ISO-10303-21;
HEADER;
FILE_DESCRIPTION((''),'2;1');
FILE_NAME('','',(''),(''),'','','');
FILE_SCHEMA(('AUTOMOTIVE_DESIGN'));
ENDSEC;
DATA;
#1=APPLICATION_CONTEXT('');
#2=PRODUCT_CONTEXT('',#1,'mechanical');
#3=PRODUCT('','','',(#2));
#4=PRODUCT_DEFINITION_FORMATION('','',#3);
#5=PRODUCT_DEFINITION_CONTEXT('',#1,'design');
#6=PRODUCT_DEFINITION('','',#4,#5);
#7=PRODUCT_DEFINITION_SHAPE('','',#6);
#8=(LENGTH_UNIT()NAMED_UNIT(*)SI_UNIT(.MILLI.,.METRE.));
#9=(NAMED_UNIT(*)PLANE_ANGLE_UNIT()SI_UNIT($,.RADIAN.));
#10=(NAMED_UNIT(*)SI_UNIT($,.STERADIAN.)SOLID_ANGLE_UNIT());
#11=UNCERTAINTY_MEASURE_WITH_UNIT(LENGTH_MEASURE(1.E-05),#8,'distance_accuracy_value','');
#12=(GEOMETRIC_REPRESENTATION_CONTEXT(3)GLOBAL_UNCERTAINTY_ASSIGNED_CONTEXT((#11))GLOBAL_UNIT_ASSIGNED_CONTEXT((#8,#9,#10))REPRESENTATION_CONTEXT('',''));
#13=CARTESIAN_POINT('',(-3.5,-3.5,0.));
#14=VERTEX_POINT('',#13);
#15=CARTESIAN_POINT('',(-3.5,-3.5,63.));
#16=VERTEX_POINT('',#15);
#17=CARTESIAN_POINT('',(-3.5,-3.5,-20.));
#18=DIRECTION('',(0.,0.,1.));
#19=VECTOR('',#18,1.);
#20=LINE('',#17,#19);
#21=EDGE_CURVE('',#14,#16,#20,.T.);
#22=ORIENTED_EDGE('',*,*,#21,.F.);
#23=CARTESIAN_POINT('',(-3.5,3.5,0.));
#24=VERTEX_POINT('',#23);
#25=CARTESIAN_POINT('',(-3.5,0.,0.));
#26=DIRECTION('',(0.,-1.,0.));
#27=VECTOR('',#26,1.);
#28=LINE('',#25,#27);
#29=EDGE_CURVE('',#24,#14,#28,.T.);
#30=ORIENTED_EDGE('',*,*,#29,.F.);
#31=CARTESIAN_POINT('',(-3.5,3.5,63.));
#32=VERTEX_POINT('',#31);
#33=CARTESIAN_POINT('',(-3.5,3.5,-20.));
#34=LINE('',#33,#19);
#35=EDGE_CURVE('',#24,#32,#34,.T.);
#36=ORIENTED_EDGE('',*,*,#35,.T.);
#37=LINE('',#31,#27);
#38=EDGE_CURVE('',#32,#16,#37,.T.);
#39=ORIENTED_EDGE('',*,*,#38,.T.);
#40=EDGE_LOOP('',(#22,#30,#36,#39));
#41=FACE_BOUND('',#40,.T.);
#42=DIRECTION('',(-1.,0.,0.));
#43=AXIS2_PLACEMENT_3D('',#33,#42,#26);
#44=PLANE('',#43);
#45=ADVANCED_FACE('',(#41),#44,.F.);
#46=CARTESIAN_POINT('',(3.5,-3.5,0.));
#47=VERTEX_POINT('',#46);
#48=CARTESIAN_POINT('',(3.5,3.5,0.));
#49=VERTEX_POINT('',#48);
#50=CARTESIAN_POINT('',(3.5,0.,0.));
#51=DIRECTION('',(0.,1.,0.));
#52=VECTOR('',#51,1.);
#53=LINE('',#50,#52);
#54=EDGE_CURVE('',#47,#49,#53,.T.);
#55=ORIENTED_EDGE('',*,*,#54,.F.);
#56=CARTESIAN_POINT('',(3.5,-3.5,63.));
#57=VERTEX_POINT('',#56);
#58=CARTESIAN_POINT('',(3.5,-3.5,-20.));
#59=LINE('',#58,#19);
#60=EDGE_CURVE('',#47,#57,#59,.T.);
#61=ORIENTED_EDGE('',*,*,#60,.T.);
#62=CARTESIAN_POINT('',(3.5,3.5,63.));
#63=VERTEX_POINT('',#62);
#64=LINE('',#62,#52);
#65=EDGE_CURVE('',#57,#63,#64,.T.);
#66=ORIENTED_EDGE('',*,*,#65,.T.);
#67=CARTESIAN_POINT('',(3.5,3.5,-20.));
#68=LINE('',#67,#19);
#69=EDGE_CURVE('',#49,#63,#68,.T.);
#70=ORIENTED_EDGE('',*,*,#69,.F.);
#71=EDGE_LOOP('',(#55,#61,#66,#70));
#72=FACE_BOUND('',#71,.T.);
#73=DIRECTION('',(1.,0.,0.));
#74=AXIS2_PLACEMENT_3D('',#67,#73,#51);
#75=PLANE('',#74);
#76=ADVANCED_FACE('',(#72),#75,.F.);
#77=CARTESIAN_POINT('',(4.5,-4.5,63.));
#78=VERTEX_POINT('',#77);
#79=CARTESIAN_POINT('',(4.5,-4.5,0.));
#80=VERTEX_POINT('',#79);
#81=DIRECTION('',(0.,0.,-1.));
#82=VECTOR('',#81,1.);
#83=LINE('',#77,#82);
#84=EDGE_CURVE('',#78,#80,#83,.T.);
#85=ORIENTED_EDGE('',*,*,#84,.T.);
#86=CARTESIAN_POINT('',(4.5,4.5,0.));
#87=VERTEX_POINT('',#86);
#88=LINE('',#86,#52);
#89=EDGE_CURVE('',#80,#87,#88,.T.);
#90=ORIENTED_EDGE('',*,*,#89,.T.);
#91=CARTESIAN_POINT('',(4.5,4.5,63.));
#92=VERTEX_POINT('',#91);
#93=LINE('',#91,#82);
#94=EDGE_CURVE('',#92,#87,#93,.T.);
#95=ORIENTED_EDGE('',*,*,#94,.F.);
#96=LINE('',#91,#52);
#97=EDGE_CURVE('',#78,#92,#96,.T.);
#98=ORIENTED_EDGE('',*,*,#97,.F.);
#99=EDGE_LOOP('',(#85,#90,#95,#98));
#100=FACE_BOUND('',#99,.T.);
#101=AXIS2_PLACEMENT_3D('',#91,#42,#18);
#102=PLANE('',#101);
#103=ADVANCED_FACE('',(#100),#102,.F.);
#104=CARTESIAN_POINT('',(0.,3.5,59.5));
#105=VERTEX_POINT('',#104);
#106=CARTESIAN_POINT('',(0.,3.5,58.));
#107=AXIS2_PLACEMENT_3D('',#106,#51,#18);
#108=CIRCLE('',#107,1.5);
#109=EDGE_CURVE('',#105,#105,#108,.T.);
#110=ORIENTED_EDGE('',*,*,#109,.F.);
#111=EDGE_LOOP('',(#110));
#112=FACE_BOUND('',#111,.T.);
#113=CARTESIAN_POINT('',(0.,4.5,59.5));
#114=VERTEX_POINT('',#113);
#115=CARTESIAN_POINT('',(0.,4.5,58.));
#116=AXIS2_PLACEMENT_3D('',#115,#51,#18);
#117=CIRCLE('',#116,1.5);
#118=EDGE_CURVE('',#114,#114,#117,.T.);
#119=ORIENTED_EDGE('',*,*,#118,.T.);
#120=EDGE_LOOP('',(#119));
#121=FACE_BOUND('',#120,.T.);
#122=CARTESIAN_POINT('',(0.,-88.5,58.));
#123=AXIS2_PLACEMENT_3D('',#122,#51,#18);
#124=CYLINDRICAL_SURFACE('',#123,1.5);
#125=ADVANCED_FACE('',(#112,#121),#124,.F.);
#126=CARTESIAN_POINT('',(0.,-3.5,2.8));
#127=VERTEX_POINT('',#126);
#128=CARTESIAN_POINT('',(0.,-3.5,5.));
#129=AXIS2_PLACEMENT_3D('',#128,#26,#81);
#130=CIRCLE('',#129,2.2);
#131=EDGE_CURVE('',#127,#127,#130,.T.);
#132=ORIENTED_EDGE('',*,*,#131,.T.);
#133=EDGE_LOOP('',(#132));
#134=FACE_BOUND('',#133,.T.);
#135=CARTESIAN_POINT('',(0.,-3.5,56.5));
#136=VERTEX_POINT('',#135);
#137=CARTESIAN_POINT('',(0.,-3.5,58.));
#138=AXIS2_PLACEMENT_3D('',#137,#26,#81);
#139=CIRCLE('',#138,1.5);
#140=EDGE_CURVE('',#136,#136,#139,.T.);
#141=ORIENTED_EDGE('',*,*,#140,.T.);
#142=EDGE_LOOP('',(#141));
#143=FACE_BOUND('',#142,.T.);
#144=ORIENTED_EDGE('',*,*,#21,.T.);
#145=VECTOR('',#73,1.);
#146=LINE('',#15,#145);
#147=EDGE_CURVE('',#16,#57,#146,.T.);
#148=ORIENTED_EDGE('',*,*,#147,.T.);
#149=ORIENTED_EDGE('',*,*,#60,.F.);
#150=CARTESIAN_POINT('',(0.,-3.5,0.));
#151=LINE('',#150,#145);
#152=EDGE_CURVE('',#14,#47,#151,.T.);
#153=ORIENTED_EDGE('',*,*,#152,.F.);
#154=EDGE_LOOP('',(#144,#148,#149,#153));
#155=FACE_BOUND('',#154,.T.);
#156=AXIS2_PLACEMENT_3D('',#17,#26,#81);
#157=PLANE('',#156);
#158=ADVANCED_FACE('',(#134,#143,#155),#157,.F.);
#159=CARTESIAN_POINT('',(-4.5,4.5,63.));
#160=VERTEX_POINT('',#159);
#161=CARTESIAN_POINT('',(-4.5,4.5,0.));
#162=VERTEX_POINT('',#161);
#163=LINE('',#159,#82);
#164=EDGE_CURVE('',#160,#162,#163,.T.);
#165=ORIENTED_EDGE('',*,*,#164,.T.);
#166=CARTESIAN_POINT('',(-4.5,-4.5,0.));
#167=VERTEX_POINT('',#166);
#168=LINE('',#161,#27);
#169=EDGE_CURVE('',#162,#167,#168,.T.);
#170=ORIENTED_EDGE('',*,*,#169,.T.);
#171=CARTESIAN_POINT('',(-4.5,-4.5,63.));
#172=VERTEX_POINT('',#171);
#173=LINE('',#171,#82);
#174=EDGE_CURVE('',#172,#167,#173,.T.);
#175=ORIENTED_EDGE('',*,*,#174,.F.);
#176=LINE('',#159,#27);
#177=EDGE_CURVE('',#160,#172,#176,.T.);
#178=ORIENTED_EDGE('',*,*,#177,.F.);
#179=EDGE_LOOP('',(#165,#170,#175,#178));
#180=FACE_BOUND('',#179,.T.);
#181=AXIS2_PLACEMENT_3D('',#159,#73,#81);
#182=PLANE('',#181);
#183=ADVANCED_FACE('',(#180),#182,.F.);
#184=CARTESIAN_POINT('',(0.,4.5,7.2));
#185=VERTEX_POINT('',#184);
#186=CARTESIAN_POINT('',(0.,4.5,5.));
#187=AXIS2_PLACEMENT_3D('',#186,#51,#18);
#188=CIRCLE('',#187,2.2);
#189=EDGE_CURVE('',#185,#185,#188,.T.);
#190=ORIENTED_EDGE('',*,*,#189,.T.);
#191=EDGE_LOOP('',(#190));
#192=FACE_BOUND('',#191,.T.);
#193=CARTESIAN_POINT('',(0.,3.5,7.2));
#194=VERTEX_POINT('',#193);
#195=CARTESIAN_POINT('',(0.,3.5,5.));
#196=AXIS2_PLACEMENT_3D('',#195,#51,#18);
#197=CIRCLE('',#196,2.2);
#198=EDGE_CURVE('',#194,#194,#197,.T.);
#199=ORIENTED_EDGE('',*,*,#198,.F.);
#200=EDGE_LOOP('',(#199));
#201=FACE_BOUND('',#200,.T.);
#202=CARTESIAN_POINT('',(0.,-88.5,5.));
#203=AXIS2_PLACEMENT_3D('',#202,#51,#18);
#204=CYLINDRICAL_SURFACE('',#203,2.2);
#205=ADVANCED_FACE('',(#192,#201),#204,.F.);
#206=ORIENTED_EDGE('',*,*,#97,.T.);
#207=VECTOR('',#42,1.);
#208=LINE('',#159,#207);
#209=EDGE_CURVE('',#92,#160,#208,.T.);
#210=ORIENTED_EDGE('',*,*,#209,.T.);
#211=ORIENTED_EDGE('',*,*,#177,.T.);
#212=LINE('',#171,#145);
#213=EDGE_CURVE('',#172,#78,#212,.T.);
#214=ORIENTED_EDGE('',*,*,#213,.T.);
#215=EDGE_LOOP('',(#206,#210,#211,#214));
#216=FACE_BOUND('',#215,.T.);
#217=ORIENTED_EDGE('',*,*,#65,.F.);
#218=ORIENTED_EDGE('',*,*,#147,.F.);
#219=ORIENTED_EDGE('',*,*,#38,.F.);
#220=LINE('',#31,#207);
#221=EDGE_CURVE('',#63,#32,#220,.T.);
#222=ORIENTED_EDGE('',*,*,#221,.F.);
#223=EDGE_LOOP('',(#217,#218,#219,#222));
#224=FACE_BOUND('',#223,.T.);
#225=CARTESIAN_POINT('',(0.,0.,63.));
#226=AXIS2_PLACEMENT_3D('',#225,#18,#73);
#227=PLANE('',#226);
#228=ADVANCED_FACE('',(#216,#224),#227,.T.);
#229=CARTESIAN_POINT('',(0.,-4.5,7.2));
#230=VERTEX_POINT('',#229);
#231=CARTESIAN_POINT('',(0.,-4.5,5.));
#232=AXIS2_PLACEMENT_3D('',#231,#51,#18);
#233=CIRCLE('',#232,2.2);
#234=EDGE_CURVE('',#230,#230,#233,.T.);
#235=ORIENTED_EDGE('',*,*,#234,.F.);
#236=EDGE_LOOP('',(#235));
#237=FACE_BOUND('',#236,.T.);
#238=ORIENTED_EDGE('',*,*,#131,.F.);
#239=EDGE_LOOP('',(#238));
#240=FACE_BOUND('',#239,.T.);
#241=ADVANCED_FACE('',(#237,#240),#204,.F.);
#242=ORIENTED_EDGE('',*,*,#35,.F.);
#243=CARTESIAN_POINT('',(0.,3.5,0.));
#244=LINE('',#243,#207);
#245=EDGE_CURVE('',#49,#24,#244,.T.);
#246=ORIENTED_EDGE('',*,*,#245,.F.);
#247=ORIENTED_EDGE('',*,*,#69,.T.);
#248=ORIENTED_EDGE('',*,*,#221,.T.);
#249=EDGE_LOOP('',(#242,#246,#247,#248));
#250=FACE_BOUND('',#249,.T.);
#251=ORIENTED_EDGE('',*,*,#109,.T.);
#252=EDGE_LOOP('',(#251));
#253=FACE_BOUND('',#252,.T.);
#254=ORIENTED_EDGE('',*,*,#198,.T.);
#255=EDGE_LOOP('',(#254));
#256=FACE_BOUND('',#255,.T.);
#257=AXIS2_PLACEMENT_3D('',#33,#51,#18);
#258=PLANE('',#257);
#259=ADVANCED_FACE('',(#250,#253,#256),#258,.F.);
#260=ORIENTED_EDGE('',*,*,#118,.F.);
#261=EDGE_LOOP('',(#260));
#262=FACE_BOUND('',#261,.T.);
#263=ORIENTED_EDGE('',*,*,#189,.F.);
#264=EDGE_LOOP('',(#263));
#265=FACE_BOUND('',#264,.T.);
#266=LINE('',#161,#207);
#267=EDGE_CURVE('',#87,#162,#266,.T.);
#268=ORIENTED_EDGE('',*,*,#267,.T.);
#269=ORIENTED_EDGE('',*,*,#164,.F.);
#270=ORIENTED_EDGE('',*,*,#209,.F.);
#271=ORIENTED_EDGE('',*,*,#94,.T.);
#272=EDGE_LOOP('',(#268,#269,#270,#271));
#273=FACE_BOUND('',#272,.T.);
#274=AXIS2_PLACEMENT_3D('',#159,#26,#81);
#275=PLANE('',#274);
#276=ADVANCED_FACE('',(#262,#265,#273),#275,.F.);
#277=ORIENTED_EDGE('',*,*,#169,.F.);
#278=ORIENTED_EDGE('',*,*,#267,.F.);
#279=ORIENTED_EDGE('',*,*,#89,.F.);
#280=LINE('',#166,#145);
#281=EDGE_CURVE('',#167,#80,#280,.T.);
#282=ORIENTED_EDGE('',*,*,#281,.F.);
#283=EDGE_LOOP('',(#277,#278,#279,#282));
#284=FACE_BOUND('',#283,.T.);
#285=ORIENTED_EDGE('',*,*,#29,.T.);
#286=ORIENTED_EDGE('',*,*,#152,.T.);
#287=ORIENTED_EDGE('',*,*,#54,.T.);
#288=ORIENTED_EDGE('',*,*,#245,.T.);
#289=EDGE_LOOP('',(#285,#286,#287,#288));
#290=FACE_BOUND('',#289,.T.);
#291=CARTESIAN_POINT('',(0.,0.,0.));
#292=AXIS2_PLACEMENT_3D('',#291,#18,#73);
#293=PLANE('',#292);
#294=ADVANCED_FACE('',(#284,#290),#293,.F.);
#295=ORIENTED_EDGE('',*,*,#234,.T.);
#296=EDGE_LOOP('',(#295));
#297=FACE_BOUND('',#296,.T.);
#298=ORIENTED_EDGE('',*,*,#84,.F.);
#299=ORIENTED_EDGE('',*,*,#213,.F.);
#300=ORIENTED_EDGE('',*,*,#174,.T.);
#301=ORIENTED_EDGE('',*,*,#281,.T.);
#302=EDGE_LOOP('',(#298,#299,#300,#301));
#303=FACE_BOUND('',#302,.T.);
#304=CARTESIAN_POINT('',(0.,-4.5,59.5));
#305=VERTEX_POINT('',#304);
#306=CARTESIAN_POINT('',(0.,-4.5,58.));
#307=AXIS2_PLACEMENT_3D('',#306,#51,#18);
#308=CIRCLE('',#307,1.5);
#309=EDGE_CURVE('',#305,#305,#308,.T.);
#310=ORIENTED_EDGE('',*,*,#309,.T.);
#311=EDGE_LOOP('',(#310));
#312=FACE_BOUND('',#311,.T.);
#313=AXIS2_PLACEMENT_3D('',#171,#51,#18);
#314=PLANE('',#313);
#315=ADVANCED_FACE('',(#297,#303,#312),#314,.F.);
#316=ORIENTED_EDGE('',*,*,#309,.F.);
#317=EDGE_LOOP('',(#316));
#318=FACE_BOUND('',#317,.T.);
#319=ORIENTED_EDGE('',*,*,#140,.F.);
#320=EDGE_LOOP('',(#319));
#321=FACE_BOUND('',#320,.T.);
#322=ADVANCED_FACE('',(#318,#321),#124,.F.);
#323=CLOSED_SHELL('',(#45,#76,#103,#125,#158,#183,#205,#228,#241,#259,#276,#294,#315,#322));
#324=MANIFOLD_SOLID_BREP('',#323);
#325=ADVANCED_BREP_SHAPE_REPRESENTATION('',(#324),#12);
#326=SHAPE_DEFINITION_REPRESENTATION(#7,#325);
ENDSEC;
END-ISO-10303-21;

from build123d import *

# Parameters (mm, degrees)
SKETCH_1_W          = 9
SKETCH_1_H          = 9
EXTRUDE_1_DEPTH     = 63
SKETCH_2_W          = 7
SKETCH_2_H          = 7
CUT_EXTRUDE_1_DEPTH = 83
SKETCH_3_R          = 2.2
SKETCH_3_R_2        = 1.5
CUT_EXTRUDE_2_DEPTH = 93


with BuildPart() as part:
    # ｽｹｯﾁ1 → ﾎﾞｽ - 押し出し1 (new body)
    with BuildSketch(Plane.XY):
        Rectangle(SKETCH_1_W, SKETCH_1_H)
    extrude(amount=EXTRUDE_1_DEPTH)

    # ｽｹｯﾁ2 → ｶｯﾄ - 押し出し1 (cut)
    with BuildSketch(Plane.XY.offset(63)):
        Rectangle(SKETCH_2_W, SKETCH_2_H)
    extrude(amount=-CUT_EXTRUDE_1_DEPTH, mode=Mode.SUBTRACT)

    # ｽｹｯﾁ3 → ｶｯﾄ - 押し出し2 (cut)
    with BuildSketch(Plane(origin=(0, 4.5, 0), x_dir=(1, 0, 0), z_dir=(0, 1, 0))):
        with Locations((0, -5)):
            Circle(SKETCH_3_R)
        with Locations((0, -58)):
            Circle(SKETCH_3_R_2)
    extrude(amount=-CUT_EXTRUDE_2_DEPTH, mode=Mode.SUBTRACT)


solid = part.part
